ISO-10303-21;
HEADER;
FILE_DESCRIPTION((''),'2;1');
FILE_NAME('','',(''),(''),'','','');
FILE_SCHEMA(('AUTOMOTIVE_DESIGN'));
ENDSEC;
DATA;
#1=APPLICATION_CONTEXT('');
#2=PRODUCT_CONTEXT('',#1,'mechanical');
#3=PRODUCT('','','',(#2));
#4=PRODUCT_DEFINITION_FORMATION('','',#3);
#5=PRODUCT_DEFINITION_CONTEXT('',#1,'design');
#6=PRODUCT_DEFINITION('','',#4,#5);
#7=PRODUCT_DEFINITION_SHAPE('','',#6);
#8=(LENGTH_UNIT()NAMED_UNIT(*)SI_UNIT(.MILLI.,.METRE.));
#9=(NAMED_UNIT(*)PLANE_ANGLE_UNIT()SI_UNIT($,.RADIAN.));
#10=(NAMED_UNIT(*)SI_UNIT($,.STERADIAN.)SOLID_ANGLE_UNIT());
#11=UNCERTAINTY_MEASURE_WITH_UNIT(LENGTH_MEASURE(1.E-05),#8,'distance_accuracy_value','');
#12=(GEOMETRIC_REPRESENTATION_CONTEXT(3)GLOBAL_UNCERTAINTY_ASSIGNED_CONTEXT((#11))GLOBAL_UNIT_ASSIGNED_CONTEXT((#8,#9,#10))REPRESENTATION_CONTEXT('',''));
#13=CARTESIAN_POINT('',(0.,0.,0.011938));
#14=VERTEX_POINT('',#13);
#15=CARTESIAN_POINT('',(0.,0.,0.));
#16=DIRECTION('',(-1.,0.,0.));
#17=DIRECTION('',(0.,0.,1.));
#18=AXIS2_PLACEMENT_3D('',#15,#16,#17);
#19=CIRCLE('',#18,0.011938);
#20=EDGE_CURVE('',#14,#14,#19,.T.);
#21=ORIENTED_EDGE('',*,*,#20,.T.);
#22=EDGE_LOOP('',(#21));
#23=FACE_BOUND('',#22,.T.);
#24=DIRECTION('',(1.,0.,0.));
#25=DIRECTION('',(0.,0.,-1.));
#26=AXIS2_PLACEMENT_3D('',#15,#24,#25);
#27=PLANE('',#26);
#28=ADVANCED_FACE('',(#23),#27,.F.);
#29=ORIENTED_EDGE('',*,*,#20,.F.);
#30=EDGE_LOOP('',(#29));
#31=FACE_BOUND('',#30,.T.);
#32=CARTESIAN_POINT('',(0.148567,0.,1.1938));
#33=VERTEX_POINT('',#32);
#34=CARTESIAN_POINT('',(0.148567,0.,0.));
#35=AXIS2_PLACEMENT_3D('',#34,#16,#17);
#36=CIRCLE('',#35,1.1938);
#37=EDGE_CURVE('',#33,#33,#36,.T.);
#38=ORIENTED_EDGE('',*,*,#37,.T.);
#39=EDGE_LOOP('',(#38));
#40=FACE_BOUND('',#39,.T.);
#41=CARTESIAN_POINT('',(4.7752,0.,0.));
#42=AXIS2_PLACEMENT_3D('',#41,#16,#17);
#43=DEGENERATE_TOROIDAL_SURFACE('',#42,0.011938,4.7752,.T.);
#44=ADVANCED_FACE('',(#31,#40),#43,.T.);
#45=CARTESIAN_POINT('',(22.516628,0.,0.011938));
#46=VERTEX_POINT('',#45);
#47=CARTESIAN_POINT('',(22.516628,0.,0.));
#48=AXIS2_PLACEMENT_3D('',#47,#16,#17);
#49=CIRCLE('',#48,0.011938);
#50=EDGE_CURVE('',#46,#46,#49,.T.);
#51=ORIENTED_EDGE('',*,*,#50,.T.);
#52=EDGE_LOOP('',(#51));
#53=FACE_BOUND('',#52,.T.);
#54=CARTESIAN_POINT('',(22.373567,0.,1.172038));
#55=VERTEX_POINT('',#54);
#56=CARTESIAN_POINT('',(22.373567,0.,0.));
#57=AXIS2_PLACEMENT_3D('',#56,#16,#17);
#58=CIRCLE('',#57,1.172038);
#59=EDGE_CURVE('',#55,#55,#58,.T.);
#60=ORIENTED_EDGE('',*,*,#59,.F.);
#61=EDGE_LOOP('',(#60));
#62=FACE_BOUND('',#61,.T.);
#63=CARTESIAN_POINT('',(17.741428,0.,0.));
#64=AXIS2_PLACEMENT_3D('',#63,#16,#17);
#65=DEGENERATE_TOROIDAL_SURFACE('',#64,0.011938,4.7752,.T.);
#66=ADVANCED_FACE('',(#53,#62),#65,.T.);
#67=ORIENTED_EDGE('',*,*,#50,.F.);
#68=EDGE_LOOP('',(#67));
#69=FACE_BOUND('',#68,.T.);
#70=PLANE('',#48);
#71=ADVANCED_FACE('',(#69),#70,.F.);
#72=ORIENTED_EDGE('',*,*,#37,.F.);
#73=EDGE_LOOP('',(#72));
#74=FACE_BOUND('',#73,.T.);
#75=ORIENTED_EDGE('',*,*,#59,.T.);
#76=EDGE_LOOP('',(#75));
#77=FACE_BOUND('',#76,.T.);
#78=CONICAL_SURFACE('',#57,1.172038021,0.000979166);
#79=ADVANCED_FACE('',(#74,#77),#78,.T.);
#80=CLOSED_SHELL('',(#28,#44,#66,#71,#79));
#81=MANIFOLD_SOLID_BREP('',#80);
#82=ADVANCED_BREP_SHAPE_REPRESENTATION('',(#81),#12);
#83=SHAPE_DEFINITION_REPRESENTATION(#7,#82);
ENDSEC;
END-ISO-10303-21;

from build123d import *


with BuildPart() as part:
    # Sketch1 → Base-Revolve (revolve)
    with BuildSketch(Plane.XY, mode=Mode.PRIVATE) as base_revolve_sk:
        with BuildLine():
            Line((0, 0), (0, 0.011938))
            ThreePointArc((0, 0.011938), (0.037287212, 0.607519607), (0.148566531, 1.1938))
            Line((0.148566531, 1.1938), (22.373566531, 1.172038021))
            ThreePointArc((22.373566531, 1.172038021), (22.480728037, 0.596381919), (22.516628474, 0.011938))
            Line((22.516628474, 0.011938), (22.516628474, 0))
            Line((22.516628474, 0), (0, 0))
        make_face()
    revolve(base_revolve_sk.sketch.rotate(Axis((-5.588, 0, 0), (1, 0, 0)), 90), axis=Axis((-5.588, 0, 0), (1, 0, 0)))


solid = part.part
